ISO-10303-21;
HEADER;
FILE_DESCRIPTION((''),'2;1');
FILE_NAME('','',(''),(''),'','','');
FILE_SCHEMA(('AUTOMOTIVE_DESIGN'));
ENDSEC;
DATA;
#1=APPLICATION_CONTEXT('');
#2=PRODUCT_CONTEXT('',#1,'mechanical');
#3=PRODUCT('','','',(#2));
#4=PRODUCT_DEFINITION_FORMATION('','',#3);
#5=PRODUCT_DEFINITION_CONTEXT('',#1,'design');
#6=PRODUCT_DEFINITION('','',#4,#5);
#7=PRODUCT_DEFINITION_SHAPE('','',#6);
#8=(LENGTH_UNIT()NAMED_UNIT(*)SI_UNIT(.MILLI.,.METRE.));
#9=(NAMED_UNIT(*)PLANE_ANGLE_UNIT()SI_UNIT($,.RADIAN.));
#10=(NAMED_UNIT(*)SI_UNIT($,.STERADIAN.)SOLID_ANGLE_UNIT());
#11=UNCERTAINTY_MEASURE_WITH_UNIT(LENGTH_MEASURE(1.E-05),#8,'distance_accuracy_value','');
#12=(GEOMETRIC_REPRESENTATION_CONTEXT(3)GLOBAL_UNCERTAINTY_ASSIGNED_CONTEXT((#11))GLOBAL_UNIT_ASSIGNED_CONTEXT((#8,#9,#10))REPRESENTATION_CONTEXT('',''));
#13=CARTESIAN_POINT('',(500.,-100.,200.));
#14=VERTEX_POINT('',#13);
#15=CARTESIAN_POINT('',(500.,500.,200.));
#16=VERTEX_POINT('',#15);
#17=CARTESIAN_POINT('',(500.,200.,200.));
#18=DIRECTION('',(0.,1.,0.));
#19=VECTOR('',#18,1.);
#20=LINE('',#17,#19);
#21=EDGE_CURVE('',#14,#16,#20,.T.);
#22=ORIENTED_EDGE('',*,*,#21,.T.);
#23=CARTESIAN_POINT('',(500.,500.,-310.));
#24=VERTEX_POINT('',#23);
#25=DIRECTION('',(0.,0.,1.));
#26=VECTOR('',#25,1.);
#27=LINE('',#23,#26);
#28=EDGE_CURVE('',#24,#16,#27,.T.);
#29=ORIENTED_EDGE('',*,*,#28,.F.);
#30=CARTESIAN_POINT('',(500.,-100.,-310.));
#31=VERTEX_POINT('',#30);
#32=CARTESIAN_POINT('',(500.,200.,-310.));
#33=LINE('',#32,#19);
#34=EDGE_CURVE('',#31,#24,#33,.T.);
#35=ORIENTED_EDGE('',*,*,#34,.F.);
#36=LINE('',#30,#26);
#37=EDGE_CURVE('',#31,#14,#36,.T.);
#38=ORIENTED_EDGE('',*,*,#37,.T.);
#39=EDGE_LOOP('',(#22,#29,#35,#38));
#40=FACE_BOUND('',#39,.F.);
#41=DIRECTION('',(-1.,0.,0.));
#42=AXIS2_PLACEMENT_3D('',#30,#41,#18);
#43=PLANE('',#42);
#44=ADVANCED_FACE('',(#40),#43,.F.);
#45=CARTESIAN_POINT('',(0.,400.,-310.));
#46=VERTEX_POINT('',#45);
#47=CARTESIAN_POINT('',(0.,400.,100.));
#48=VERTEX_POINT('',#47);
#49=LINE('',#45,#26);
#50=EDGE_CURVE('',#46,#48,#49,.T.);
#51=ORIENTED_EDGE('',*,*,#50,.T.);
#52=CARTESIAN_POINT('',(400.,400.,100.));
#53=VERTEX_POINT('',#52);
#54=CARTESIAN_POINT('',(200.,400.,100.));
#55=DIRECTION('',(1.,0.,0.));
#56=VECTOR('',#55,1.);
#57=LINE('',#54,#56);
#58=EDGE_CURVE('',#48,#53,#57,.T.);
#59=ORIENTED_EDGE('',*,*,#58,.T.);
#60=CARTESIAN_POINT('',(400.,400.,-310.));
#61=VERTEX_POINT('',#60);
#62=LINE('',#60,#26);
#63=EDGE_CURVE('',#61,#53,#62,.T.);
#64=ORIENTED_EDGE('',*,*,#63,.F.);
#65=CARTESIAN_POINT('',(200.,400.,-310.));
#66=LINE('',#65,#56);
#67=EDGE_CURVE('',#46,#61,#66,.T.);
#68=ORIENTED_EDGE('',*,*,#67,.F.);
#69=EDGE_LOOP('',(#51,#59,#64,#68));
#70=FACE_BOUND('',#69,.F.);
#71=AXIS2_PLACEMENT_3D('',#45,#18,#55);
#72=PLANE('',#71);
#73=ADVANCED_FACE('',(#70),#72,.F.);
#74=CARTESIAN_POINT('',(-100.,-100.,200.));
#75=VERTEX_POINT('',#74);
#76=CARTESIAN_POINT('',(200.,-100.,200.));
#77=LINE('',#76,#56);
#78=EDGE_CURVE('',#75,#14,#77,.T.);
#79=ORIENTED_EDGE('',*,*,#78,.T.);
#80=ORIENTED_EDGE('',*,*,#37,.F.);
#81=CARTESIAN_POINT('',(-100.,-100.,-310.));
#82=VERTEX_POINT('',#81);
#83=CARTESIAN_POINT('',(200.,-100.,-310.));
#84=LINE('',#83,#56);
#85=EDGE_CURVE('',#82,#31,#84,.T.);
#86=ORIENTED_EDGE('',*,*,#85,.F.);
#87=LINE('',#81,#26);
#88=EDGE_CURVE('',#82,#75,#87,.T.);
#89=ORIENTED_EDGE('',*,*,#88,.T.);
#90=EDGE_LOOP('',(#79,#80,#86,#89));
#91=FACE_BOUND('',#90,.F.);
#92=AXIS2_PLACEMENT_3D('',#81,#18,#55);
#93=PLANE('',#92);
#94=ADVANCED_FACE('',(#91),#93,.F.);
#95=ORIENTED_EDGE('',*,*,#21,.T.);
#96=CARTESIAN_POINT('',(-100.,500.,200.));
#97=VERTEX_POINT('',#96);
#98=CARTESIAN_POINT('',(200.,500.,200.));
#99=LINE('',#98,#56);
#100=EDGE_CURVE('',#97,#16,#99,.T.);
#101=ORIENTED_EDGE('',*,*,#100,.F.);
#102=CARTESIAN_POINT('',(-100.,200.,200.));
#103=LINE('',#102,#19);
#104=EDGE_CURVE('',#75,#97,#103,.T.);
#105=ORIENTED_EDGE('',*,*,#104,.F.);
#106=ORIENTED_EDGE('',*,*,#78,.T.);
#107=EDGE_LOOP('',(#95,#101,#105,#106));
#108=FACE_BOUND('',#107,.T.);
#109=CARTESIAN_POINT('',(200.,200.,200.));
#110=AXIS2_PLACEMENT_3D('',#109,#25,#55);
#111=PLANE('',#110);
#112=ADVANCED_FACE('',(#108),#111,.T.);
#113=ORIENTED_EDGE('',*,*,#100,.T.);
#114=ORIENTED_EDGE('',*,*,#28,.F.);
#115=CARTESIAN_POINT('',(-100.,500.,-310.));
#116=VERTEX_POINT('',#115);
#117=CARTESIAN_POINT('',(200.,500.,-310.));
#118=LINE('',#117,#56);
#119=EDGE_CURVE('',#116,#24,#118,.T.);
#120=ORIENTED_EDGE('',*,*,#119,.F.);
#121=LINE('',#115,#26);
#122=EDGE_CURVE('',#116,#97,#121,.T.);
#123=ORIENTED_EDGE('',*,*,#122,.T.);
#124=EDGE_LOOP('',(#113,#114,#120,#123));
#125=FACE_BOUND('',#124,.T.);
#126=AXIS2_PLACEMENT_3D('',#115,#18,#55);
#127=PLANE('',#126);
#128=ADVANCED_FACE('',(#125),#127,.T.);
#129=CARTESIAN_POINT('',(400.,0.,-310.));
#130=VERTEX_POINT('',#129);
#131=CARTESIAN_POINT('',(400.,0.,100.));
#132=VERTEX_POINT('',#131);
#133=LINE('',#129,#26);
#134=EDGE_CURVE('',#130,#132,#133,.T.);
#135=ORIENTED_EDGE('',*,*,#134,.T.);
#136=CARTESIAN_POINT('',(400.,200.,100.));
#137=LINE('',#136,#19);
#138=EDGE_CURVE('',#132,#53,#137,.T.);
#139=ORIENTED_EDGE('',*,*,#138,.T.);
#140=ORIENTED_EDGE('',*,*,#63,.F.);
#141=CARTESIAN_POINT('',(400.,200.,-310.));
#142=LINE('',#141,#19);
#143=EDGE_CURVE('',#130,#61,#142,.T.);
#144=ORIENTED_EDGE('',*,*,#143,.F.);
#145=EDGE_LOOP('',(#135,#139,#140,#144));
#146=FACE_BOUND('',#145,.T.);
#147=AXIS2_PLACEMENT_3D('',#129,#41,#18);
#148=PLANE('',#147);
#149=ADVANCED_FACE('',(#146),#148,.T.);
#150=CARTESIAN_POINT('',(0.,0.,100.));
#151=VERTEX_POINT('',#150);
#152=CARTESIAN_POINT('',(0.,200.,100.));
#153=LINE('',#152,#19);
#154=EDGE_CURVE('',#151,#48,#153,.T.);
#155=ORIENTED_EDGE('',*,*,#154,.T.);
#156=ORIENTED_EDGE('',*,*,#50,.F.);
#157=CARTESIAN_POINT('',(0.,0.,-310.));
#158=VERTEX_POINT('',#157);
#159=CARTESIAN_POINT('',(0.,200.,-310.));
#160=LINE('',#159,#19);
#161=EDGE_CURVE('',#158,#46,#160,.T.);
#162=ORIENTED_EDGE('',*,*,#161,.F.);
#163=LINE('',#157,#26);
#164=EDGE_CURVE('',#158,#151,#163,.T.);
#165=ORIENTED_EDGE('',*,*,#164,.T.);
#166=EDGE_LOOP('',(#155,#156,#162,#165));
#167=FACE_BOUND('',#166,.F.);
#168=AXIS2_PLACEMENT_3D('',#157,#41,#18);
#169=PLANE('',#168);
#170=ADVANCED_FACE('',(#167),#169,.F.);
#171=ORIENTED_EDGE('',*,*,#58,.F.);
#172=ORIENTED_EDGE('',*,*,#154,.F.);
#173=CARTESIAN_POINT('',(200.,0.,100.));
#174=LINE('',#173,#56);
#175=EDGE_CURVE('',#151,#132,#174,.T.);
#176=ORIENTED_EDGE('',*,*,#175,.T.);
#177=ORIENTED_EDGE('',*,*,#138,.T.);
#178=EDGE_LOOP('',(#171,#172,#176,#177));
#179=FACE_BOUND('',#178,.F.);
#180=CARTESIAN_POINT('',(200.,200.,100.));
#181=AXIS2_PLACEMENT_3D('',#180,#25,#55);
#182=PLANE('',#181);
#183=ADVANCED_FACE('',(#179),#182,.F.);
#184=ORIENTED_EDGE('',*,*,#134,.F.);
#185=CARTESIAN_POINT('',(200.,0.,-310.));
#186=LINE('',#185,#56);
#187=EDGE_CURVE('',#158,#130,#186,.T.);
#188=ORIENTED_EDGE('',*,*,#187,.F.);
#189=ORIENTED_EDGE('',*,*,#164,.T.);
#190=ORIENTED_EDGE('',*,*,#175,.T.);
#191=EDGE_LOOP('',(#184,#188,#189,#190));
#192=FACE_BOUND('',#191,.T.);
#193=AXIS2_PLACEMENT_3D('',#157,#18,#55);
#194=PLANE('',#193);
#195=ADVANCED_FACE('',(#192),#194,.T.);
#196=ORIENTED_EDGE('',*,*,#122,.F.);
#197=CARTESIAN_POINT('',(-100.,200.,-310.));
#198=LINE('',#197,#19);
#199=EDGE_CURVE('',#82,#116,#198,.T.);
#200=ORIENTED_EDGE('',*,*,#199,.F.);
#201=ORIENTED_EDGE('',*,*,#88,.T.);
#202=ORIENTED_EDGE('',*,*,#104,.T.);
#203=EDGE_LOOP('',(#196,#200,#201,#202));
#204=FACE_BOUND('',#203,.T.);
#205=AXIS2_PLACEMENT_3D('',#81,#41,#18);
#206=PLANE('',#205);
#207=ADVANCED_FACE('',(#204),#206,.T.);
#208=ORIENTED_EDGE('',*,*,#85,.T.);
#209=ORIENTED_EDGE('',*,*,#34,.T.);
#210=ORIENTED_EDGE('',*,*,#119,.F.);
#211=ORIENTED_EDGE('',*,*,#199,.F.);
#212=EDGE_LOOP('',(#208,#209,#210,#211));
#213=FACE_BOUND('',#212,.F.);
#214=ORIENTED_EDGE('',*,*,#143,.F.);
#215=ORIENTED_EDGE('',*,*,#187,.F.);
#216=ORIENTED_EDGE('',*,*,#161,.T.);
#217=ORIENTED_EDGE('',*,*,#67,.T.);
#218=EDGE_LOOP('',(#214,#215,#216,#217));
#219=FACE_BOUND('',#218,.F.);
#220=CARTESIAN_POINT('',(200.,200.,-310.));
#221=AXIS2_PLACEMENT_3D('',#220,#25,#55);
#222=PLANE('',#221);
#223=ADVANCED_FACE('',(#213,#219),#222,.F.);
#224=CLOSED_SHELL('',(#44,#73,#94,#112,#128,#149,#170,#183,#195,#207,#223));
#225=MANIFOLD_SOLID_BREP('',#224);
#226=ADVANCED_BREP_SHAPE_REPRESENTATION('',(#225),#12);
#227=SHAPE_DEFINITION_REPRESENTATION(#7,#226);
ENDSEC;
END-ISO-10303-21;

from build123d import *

# Parameters (mm, degrees)
BOX009_W     = 400
BOX009_H     = 400
BOX009_DEPTH = 410
BOX008_W     = 600
BOX008_H     = 600
BOX008_DEPTH = 510


with BuildPart() as cube008:
    # Box009 → Box009 (new body)
    with BuildSketch(Plane.XY.offset(-310)):
        with Locations((200, 200)):
            Rectangle(BOX009_W, BOX009_H)
    extrude(amount=BOX009_DEPTH)


with BuildPart() as cut004:
    # Box008 → Box008 (new body)
    with BuildSketch(Plane(origin=(-100, -100, -310), x_dir=(1, 0, 0), z_dir=(0, 0, 1))):
        with Locations((300, 300)):
            Rectangle(BOX008_W, BOX008_H)
    extrude(amount=BOX008_DEPTH)

    # Cut004: cut Cube008
    add(cube008.part, mode=Mode.SUBTRACT)


solid = cut004.part
